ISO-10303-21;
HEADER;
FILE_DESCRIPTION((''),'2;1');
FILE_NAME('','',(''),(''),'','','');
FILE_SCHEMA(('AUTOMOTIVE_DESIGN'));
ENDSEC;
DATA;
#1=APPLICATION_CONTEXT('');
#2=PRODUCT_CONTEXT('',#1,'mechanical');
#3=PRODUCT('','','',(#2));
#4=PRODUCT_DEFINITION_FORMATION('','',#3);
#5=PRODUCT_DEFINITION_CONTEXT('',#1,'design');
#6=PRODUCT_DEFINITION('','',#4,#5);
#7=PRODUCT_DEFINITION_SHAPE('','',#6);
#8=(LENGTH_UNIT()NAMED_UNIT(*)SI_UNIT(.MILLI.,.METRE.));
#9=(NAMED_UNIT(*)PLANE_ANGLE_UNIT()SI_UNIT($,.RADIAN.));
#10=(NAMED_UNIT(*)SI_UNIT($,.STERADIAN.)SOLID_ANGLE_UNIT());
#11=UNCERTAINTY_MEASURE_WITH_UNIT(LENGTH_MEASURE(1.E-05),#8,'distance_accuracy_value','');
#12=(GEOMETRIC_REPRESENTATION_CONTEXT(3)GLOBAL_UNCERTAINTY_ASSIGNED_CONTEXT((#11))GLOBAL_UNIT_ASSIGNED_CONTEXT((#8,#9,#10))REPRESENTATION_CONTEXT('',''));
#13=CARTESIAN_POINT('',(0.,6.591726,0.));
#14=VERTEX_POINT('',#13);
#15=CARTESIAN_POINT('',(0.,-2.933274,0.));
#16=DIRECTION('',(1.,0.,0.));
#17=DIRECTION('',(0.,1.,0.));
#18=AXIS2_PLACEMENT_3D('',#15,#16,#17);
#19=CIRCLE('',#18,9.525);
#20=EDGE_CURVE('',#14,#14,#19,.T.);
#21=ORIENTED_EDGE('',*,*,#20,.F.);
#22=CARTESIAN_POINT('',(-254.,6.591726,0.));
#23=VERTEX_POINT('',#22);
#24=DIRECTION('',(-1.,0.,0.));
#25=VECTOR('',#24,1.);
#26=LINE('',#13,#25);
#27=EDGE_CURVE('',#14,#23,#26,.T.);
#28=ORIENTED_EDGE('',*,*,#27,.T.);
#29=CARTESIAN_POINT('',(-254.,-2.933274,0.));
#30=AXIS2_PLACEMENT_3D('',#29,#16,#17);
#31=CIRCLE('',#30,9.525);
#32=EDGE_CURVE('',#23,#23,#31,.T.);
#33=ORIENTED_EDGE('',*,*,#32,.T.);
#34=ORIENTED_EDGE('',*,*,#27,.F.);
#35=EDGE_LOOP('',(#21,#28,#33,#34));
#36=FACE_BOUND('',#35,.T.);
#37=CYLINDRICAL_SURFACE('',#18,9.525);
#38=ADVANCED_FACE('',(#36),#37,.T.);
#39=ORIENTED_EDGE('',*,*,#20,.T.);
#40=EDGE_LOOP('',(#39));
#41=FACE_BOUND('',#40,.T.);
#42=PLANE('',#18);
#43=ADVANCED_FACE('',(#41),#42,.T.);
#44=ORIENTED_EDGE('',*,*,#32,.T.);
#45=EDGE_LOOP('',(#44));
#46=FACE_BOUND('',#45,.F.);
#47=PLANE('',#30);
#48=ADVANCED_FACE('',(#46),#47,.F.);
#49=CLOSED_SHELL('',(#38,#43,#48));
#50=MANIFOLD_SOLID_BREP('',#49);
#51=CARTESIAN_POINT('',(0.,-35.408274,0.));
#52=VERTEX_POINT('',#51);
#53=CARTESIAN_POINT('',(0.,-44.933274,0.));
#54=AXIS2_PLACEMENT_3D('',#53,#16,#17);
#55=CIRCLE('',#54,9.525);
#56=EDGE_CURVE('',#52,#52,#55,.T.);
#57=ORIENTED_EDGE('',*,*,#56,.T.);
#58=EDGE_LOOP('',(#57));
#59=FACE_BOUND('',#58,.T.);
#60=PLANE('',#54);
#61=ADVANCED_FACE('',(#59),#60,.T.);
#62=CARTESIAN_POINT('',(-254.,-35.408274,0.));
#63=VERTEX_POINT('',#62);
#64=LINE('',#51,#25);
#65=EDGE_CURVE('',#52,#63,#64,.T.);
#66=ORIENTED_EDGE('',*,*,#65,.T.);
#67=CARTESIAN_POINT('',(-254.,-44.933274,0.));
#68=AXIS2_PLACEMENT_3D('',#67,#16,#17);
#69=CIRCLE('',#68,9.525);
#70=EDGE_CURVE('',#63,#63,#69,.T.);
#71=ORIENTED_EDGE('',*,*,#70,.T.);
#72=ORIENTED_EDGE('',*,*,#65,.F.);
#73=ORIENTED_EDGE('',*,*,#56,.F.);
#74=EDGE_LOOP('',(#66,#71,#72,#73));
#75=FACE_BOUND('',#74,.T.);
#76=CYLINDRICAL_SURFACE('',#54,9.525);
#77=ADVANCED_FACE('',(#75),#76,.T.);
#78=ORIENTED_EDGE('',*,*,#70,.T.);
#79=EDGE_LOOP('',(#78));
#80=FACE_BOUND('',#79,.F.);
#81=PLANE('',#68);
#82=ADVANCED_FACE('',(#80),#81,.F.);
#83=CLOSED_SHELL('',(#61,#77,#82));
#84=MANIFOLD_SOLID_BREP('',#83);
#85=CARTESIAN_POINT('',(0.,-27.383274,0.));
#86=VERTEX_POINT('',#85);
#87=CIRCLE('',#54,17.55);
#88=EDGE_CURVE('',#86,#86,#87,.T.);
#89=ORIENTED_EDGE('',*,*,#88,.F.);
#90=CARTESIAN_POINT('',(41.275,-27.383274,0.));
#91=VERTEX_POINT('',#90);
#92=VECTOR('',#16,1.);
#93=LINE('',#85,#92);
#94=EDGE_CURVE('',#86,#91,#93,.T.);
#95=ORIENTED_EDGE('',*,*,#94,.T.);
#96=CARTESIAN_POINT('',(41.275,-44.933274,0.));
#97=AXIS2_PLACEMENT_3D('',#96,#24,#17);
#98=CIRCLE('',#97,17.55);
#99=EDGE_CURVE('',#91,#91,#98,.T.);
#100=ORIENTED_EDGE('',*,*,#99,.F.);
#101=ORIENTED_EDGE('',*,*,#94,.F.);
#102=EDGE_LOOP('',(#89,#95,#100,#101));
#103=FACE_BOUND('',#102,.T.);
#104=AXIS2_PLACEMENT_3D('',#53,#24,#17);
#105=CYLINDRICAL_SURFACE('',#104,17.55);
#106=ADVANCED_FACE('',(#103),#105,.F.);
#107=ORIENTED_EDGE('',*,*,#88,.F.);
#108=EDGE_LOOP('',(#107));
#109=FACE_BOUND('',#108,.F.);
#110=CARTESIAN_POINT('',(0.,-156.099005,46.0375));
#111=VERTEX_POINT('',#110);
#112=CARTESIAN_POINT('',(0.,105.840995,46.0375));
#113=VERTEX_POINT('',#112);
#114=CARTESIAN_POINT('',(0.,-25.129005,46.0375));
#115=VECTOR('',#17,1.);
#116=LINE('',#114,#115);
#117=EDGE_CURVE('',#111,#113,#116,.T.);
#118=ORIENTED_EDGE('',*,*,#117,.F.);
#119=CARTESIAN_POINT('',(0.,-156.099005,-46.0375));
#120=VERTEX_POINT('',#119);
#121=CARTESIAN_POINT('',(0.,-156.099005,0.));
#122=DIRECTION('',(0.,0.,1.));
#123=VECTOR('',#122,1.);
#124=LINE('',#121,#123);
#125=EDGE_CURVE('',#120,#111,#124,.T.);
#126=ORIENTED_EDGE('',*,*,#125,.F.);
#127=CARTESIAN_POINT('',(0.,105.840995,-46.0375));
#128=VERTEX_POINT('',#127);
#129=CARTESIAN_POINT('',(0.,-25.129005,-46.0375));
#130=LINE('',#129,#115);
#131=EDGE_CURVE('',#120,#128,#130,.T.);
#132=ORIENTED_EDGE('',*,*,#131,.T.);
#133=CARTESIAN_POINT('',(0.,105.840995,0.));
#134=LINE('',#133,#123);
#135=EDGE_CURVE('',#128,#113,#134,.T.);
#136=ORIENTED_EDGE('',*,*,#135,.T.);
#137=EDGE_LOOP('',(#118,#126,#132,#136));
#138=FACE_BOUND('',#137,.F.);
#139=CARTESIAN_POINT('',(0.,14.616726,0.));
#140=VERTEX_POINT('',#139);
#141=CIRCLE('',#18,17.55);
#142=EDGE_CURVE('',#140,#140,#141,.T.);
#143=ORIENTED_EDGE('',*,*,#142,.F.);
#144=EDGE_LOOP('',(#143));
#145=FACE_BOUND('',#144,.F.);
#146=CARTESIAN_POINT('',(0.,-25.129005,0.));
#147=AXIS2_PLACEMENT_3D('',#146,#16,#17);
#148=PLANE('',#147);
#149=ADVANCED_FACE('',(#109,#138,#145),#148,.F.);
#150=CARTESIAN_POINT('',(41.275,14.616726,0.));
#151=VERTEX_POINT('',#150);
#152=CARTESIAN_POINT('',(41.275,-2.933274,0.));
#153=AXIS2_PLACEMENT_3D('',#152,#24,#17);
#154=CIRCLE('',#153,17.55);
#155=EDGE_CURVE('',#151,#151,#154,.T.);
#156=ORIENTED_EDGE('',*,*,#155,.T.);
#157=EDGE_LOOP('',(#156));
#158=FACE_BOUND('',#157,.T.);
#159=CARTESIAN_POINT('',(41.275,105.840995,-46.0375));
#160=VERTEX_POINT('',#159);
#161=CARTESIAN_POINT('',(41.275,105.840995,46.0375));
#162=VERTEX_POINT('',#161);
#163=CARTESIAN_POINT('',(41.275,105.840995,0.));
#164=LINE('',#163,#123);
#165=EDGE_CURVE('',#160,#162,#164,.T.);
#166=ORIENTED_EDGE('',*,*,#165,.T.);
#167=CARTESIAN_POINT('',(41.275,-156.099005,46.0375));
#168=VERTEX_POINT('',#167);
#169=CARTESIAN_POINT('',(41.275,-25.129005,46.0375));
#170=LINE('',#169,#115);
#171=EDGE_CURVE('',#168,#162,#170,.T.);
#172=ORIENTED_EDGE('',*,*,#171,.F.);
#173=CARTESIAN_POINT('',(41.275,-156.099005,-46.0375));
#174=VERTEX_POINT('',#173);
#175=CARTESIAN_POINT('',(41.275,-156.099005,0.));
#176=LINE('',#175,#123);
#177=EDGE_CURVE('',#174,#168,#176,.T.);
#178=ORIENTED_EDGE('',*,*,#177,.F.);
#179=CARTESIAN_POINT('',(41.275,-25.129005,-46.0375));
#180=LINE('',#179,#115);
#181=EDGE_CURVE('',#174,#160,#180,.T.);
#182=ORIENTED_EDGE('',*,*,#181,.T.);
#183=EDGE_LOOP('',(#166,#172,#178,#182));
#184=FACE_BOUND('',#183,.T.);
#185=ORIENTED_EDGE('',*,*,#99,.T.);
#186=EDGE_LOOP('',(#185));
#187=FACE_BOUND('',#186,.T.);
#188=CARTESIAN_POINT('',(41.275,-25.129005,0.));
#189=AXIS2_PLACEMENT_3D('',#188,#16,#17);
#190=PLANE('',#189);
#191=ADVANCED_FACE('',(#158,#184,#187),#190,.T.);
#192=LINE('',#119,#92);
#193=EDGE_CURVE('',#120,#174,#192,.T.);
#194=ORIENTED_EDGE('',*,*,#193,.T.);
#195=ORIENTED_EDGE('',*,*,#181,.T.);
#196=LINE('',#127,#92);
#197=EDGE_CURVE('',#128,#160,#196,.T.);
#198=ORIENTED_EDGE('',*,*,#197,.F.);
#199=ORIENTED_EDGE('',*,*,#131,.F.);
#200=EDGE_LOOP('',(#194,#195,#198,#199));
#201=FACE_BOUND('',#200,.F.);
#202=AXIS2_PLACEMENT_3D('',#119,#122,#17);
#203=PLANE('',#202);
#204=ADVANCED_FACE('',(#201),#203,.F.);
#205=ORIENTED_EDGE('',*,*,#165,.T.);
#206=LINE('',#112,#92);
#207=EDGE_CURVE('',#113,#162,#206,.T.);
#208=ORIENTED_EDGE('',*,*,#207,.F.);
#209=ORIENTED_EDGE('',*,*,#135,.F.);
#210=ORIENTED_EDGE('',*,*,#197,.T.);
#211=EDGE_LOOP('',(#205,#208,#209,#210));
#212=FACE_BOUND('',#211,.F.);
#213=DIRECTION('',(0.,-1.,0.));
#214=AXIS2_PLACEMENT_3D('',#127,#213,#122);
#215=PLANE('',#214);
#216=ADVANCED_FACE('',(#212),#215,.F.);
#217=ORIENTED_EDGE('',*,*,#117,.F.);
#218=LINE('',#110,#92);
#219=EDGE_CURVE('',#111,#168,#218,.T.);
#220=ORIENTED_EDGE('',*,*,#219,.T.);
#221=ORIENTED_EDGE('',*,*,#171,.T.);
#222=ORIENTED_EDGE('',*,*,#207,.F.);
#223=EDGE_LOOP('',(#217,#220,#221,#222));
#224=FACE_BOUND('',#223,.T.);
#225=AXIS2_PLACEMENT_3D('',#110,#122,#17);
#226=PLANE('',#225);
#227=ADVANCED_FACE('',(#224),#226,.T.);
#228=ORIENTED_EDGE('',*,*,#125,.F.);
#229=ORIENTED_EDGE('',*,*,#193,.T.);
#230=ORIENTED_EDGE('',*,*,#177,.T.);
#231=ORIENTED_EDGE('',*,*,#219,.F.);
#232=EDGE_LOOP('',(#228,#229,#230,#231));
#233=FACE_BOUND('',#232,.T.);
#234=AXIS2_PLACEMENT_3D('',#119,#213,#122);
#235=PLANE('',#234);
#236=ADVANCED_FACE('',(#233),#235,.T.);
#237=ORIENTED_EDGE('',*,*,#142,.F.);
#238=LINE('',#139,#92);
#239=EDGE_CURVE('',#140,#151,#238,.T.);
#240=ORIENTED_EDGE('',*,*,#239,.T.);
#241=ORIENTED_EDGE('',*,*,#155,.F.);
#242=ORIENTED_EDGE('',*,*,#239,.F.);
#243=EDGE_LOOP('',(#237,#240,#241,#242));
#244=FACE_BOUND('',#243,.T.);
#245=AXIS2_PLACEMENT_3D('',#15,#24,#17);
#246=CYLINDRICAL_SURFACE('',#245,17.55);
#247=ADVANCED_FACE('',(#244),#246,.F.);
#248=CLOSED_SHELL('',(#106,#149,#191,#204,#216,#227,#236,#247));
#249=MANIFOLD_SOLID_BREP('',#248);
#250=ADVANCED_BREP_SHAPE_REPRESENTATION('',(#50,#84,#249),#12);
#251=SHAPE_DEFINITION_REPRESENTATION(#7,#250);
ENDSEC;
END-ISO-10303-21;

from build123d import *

# Parameters (mm, degrees)
F0_R     = 9.525
F1_DEPTH = 254
F3_W     = 261.94
F3_H     = 92.075
F4_DEPTH = 41.275
F2_R     = 17.55
F5_DEPTH = 65.2


with BuildPart() as f1:
    # F0 (on Right) → F1 (new body)
    with BuildSketch(Plane.YZ):
        with Locations((-44.933274, 0)):
            Circle(F0_R)
        with Locations((-2.933274, 0)):
            Circle(F0_R)
    extrude(amount=-F1_DEPTH)


with BuildPart() as f4:
    # F3 (on Right) → F4 (new body)
    with BuildSketch(Plane.YZ):
        with Locations((-25.129005, 0)):
            Rectangle(F3_W, F3_H)
    extrude(amount=F4_DEPTH)

    # F2 (on Right) → F5 (cut)
    with BuildSketch(Plane.YZ):
        with Locations((-44.933274, 0)):
            Circle(F2_R)
        with Locations((-2.933274, 0)):
            Circle(F2_R)
    extrude(amount=F5_DEPTH, mode=Mode.SUBTRACT)


solid = Compound([f1.part, f4.part])
